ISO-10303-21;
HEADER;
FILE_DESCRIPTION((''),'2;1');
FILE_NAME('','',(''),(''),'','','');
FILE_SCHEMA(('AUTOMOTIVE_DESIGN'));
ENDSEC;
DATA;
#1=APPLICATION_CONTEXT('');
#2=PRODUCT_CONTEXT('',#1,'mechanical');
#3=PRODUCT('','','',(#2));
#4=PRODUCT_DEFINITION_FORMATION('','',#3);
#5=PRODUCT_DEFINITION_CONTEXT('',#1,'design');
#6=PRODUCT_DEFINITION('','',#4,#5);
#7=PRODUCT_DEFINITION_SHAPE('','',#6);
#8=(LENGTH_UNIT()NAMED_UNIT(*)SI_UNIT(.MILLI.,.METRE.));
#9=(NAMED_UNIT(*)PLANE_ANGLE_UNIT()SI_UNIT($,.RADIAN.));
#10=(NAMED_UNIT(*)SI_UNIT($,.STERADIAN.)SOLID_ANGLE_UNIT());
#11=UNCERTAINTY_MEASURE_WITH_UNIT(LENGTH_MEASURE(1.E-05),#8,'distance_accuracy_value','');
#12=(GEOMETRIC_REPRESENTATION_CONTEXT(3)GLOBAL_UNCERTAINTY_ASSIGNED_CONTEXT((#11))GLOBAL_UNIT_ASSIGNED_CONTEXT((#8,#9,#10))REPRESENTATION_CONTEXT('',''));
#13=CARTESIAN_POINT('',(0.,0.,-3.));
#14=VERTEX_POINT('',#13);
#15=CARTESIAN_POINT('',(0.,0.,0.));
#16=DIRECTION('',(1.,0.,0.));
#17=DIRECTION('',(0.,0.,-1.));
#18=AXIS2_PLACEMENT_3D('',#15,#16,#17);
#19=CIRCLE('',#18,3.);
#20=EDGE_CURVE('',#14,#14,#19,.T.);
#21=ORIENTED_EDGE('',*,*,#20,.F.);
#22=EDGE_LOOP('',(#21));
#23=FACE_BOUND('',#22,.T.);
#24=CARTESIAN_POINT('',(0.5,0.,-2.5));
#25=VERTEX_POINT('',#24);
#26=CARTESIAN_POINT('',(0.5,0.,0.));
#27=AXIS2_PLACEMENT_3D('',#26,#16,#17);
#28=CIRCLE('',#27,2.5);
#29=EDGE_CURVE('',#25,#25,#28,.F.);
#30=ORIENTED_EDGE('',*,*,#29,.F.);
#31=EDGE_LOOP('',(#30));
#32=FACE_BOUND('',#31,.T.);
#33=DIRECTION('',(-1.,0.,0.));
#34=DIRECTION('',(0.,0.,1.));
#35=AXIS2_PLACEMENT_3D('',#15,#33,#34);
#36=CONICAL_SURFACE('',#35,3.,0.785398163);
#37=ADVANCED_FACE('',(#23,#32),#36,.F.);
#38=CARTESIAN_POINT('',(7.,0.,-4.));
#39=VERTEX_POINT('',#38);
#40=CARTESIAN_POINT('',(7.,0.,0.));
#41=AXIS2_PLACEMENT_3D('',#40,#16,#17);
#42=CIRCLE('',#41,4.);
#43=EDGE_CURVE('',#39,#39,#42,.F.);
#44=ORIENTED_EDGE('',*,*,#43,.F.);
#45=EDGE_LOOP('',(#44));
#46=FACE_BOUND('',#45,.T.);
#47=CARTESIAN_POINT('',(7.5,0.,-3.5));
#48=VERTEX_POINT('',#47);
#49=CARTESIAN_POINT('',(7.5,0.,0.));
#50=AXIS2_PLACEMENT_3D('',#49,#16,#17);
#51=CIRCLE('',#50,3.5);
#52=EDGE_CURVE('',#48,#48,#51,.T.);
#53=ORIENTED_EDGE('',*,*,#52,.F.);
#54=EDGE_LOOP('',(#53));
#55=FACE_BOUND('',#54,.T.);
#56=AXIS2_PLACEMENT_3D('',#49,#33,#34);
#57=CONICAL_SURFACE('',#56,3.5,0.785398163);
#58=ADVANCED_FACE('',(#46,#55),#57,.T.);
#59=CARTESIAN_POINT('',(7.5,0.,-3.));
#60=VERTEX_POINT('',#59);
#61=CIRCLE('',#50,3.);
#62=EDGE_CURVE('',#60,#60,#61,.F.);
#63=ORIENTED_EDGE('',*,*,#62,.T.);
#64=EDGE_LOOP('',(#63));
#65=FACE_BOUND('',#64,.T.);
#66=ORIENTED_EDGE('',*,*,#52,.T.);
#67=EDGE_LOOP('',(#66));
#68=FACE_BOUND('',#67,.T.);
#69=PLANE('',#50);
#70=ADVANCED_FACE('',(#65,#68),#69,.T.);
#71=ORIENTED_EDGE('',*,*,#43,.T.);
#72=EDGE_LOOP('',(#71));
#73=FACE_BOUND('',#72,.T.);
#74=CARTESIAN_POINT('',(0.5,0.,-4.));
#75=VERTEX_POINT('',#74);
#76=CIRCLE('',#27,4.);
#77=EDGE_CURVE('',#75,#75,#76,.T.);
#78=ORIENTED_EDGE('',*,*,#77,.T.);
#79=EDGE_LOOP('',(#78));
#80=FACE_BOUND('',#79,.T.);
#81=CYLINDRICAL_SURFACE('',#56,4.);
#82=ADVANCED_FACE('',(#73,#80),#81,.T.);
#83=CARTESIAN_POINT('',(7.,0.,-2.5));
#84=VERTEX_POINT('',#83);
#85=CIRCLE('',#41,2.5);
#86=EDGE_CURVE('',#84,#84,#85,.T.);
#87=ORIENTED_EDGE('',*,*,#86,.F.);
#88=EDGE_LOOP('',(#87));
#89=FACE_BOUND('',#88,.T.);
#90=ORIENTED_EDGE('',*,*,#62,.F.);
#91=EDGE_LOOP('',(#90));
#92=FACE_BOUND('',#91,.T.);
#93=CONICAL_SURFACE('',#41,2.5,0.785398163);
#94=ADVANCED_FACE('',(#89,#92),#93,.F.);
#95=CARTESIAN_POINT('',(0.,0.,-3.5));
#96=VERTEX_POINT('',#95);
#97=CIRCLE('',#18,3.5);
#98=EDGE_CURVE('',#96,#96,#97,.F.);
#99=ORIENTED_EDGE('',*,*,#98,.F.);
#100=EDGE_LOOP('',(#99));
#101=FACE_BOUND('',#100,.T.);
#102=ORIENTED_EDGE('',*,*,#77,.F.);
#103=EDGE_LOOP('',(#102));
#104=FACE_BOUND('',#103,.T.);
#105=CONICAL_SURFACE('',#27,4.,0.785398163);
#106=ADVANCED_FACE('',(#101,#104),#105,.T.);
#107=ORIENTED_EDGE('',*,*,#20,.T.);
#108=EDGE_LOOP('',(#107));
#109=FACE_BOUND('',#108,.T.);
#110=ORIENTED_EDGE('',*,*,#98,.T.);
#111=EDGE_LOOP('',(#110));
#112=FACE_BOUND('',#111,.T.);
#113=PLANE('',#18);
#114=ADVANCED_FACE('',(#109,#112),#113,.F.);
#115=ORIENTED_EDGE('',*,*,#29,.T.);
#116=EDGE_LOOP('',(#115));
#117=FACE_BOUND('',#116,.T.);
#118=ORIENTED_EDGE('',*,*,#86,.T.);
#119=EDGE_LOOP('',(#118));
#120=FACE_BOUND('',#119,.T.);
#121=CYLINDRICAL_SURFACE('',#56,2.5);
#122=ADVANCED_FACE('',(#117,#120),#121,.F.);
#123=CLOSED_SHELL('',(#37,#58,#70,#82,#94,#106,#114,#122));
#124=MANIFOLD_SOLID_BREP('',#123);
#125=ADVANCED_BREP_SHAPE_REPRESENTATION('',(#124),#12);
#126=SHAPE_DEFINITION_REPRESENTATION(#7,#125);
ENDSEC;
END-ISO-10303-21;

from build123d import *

# Parameters (mm, degrees)
SKETCH_1_R      = 4
SKETCH_1_R_2    = 2.5
EXTRUDE_1_DEPTH = 7.5
CHAMFER_1_SIZE  = 0.5


with BuildPart() as part:
    # 草图1 → 凸台-拉伸1 (new body)
    with BuildSketch(Plane(origin=(0, 0, 0), x_dir=(0, 0, -1), z_dir=(1, 0, 0))):
        Circle(SKETCH_1_R)
        Circle(SKETCH_1_R_2, mode=Mode.SUBTRACT)
    extrude(amount=EXTRUDE_1_DEPTH)

    # 倒角1
    chamfer_1_edges = [part.edges().sort_by_distance(p)[0] for p in [
        (0, 0, 4),
        (7.5, 0, 4),
        (0, 0, 2.5),
        (7.5, 0, 2.5),
    ]]
    chamfer(chamfer_1_edges, length=CHAMFER_1_SIZE)


solid = part.part
